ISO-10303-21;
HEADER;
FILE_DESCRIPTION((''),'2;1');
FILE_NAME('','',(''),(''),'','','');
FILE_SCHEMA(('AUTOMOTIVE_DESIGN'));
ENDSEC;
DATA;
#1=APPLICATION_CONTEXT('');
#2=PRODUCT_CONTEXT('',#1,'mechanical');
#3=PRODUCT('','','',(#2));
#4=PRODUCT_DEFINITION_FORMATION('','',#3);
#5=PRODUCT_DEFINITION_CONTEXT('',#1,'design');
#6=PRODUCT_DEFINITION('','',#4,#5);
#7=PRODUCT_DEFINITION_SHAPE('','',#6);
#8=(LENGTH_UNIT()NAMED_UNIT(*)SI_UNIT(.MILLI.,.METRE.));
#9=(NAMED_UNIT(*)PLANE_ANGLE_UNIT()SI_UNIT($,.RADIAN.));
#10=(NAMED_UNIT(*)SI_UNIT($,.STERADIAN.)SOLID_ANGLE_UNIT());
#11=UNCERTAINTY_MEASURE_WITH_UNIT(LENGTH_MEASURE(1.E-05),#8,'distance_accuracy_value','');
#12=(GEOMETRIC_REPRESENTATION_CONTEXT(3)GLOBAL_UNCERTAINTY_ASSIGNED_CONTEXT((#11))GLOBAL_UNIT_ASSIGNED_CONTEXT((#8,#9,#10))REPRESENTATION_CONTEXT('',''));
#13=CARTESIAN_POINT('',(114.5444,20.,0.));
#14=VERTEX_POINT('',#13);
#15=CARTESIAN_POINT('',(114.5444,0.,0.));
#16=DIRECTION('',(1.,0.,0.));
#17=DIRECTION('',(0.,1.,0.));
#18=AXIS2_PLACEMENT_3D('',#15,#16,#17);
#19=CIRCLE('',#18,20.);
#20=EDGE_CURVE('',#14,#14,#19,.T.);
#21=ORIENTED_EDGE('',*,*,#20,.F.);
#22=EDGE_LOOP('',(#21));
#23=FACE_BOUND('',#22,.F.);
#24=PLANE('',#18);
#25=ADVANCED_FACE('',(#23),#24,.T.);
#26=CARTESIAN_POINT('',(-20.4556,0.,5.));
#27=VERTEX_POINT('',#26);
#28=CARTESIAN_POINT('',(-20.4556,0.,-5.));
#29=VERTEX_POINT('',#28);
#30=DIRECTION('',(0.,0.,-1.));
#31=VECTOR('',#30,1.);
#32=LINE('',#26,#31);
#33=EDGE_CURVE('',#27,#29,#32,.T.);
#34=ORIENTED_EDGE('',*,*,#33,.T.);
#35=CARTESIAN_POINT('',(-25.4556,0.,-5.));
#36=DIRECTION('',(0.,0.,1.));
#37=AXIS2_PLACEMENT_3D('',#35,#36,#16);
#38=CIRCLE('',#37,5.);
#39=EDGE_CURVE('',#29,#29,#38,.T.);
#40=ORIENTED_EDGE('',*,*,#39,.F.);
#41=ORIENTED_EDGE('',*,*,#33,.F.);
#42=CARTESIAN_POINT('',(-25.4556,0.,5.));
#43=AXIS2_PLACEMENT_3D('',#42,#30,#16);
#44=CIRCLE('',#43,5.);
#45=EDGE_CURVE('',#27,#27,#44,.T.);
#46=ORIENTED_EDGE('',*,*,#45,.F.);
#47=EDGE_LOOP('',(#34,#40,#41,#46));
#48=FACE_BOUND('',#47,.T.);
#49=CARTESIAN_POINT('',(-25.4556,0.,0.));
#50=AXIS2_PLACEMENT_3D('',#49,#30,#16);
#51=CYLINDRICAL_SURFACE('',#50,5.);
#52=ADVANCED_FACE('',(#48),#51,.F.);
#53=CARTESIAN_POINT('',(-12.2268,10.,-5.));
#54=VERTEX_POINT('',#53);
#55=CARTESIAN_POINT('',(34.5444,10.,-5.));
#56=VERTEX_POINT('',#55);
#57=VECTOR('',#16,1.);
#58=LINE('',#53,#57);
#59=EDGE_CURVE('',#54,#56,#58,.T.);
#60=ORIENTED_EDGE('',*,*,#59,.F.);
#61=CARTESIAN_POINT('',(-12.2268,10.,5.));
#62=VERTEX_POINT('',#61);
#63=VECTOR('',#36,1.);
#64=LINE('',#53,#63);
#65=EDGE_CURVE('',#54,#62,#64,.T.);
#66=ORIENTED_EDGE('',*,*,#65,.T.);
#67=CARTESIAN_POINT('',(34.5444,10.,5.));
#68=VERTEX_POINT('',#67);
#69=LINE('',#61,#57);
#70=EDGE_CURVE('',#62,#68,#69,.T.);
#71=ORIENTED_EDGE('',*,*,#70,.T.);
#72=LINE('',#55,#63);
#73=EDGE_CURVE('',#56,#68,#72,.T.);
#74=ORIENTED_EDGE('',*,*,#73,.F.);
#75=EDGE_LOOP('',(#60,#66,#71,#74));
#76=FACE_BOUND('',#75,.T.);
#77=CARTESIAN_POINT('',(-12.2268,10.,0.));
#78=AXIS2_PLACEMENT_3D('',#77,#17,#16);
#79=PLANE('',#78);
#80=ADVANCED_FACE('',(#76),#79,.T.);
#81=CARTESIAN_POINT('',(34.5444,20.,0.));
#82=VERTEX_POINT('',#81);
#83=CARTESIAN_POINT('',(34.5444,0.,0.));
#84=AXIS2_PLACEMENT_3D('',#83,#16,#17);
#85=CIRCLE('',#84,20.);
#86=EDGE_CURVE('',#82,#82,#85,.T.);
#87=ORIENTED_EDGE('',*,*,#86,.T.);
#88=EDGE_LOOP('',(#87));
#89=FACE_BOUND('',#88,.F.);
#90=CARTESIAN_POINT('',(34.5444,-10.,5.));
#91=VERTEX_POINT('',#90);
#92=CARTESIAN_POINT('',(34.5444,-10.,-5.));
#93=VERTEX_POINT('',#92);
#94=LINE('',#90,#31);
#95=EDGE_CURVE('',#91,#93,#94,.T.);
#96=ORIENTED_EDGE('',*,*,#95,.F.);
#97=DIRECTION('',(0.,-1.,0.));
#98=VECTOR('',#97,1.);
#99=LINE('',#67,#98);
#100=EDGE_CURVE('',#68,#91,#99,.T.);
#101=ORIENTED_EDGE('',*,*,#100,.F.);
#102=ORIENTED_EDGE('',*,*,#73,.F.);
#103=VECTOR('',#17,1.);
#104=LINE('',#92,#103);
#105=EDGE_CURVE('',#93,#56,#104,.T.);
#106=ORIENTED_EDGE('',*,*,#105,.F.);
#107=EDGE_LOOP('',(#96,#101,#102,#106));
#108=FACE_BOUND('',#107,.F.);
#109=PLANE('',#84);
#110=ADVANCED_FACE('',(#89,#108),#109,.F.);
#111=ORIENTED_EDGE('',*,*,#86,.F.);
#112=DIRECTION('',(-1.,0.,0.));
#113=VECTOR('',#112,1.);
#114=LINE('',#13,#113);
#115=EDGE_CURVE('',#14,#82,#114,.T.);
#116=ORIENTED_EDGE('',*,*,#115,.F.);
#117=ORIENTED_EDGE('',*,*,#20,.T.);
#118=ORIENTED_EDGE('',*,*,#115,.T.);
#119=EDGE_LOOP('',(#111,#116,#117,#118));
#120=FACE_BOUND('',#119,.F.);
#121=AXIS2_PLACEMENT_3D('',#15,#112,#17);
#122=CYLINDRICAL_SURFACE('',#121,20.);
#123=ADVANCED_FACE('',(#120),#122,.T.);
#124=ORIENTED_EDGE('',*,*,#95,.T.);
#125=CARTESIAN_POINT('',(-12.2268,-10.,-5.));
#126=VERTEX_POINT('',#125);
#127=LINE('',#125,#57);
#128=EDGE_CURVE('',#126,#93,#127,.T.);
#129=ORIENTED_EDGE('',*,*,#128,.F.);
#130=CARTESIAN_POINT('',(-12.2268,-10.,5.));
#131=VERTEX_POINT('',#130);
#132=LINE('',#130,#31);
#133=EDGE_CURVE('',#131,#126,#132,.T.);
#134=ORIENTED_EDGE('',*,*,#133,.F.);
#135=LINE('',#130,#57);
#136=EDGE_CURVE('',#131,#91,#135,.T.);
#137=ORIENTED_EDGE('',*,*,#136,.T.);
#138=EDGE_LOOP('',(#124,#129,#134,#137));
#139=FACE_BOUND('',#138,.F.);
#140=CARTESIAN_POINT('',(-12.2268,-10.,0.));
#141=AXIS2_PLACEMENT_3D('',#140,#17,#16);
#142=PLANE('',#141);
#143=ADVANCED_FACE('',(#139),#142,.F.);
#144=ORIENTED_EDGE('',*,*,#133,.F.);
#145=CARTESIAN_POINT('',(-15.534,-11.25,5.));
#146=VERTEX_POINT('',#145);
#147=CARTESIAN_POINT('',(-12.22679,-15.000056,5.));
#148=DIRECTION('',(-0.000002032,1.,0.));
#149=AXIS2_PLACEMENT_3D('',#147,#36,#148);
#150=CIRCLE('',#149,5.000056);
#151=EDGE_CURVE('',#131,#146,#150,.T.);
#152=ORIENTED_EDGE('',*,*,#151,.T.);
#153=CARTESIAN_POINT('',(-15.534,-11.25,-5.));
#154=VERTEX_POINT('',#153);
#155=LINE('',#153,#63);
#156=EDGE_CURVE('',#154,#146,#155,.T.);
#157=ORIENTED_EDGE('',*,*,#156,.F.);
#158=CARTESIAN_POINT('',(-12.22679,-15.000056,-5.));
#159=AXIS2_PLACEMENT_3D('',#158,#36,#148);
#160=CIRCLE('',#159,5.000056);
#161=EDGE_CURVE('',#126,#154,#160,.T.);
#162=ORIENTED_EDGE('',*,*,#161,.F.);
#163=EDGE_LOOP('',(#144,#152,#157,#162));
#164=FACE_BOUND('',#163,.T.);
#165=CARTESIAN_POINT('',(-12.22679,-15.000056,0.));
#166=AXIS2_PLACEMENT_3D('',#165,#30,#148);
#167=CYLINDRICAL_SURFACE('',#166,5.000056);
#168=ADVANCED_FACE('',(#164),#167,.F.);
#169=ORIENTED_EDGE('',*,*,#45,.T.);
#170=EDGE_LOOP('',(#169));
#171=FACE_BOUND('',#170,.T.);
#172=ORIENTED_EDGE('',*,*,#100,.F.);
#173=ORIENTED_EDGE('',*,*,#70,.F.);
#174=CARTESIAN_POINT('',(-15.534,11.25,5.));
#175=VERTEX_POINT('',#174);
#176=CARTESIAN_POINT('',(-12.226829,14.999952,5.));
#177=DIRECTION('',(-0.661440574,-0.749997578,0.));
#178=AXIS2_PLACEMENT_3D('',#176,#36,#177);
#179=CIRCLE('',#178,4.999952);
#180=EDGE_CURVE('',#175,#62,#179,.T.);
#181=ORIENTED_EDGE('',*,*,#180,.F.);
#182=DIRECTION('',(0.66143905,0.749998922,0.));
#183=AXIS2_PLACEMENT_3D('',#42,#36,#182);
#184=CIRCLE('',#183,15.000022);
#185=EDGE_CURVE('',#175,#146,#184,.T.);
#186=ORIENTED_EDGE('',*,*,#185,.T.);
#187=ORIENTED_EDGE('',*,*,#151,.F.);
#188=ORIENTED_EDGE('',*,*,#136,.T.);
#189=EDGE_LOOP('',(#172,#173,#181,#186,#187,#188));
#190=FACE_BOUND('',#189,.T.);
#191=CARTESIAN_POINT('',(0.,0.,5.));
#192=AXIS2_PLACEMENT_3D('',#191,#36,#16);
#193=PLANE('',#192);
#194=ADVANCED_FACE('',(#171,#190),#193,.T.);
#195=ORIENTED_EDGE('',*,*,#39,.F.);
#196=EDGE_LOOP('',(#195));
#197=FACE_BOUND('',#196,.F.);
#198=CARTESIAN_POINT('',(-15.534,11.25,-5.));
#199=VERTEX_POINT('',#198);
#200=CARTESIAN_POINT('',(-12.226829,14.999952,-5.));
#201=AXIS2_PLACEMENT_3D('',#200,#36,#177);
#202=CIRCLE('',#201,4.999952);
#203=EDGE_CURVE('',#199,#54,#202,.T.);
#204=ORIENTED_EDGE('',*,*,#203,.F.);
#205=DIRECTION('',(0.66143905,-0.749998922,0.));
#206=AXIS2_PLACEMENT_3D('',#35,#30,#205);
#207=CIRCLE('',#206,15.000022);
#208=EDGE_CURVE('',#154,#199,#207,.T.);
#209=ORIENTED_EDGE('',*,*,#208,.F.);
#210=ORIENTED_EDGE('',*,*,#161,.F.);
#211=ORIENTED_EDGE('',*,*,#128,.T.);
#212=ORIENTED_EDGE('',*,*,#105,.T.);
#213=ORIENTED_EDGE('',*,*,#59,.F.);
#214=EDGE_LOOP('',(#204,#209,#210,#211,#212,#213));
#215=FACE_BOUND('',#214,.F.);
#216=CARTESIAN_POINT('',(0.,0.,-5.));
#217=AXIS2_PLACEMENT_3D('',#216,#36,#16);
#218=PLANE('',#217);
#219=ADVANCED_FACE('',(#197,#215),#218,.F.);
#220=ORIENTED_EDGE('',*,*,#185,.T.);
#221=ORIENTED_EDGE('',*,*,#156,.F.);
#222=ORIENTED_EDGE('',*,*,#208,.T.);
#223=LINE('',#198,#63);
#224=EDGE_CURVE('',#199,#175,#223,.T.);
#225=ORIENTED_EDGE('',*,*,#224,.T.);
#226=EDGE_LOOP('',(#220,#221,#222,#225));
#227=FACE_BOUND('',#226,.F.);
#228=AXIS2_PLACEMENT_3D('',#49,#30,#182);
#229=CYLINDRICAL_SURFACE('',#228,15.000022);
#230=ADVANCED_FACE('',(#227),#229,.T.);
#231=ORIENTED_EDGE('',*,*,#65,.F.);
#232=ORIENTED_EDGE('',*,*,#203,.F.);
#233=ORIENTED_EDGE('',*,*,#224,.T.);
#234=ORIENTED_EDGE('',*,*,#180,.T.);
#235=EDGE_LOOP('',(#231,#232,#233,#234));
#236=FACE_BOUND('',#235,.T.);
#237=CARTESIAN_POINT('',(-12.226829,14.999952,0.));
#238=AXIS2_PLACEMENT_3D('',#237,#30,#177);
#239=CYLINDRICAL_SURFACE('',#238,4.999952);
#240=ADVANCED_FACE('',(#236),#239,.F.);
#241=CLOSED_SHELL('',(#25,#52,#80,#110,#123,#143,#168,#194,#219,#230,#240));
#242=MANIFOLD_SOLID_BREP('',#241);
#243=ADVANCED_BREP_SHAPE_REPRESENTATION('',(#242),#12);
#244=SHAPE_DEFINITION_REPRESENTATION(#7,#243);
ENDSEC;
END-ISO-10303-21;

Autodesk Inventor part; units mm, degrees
ref_plane "YZ Plane" through (0, 0, 0) normal (1, 0, 0) x (0, 1, 0)
ref_plane "XZ Plane" through (0, 0, 0) normal (0, 1, 0) x (-1, 0, 0)
ref_plane "XY Plane" through (0, 0, 0) normal (0, 0, 1) x (1, 0, 0)
sketch "Эскиз1" plane through (0, 0, 0) normal (0, 0, 1) x (1, 0, 0)
  line L0 (-12.2268, 10) -> (34.5444, 10)
  line L1 (-55.4556, 0) -> (49.5444, 0) projected
  line L2 (-12.2268, -10) -> (34.5444, -10)
  arc A0 (-15.534, 11.25) -> (-15.534, -11.25) centre (-25.4556, 0) ccw
  circle A1 centre (-25.4556, 0) radius 5
  line L3 (34.5444, 10) -> (34.5444, -10)
  arc A2 (-15.534, 11.25) -> (-12.2268, 10) centre (-12.2268, 15) ccw
  arc A3 (-12.2268, -10) -> (-15.534, -11.25) centre (-12.2268, -15) ccw
  point P0 (0, 0)
  point P1 (-14.2752, 10)
  point P2 (-14.2752, -10)
  dimension "d0" = 15
  dimension "d1" = 20
  dimension "d2" = 10
  dimension "d12" = 5
  dimension "d13" = 60
extrude "Выдавливание1" add sketch "Эскиз1" along normal blind 5 and the other way blind 5 contours L0 L3 L1 A1 A0 A2 | L3 L2 A3 A0 L1 A1
sketch "Эскиз4" plane through (0, 0, 0) normal (0, 0, 1) x (1, 0, 0)
  line L0 (-20.9089, 0) -> (125.4533, 0) projected
  line L1 (34.5444, 10) -> (34.5444, -10) projected
  line L2 (34.5444, 0) -> (114.5444, 0)
  line L3 (114.5444, 0) -> (114.5444, 20)
  line L4 (114.5444, 20) -> (34.5444, 20)
  line L5 (34.5444, 20) -> (34.5444, 0)
  point P0 (0, 0)
  dimension "d7" = 40
  dimension "d8" = 80
revolve "Вращение1" add sketch "Эскиз4" angle 360 about axis through (-10, 0, 0) along (1, 0, 0)
properties part number "поршень" material "Сталь"
